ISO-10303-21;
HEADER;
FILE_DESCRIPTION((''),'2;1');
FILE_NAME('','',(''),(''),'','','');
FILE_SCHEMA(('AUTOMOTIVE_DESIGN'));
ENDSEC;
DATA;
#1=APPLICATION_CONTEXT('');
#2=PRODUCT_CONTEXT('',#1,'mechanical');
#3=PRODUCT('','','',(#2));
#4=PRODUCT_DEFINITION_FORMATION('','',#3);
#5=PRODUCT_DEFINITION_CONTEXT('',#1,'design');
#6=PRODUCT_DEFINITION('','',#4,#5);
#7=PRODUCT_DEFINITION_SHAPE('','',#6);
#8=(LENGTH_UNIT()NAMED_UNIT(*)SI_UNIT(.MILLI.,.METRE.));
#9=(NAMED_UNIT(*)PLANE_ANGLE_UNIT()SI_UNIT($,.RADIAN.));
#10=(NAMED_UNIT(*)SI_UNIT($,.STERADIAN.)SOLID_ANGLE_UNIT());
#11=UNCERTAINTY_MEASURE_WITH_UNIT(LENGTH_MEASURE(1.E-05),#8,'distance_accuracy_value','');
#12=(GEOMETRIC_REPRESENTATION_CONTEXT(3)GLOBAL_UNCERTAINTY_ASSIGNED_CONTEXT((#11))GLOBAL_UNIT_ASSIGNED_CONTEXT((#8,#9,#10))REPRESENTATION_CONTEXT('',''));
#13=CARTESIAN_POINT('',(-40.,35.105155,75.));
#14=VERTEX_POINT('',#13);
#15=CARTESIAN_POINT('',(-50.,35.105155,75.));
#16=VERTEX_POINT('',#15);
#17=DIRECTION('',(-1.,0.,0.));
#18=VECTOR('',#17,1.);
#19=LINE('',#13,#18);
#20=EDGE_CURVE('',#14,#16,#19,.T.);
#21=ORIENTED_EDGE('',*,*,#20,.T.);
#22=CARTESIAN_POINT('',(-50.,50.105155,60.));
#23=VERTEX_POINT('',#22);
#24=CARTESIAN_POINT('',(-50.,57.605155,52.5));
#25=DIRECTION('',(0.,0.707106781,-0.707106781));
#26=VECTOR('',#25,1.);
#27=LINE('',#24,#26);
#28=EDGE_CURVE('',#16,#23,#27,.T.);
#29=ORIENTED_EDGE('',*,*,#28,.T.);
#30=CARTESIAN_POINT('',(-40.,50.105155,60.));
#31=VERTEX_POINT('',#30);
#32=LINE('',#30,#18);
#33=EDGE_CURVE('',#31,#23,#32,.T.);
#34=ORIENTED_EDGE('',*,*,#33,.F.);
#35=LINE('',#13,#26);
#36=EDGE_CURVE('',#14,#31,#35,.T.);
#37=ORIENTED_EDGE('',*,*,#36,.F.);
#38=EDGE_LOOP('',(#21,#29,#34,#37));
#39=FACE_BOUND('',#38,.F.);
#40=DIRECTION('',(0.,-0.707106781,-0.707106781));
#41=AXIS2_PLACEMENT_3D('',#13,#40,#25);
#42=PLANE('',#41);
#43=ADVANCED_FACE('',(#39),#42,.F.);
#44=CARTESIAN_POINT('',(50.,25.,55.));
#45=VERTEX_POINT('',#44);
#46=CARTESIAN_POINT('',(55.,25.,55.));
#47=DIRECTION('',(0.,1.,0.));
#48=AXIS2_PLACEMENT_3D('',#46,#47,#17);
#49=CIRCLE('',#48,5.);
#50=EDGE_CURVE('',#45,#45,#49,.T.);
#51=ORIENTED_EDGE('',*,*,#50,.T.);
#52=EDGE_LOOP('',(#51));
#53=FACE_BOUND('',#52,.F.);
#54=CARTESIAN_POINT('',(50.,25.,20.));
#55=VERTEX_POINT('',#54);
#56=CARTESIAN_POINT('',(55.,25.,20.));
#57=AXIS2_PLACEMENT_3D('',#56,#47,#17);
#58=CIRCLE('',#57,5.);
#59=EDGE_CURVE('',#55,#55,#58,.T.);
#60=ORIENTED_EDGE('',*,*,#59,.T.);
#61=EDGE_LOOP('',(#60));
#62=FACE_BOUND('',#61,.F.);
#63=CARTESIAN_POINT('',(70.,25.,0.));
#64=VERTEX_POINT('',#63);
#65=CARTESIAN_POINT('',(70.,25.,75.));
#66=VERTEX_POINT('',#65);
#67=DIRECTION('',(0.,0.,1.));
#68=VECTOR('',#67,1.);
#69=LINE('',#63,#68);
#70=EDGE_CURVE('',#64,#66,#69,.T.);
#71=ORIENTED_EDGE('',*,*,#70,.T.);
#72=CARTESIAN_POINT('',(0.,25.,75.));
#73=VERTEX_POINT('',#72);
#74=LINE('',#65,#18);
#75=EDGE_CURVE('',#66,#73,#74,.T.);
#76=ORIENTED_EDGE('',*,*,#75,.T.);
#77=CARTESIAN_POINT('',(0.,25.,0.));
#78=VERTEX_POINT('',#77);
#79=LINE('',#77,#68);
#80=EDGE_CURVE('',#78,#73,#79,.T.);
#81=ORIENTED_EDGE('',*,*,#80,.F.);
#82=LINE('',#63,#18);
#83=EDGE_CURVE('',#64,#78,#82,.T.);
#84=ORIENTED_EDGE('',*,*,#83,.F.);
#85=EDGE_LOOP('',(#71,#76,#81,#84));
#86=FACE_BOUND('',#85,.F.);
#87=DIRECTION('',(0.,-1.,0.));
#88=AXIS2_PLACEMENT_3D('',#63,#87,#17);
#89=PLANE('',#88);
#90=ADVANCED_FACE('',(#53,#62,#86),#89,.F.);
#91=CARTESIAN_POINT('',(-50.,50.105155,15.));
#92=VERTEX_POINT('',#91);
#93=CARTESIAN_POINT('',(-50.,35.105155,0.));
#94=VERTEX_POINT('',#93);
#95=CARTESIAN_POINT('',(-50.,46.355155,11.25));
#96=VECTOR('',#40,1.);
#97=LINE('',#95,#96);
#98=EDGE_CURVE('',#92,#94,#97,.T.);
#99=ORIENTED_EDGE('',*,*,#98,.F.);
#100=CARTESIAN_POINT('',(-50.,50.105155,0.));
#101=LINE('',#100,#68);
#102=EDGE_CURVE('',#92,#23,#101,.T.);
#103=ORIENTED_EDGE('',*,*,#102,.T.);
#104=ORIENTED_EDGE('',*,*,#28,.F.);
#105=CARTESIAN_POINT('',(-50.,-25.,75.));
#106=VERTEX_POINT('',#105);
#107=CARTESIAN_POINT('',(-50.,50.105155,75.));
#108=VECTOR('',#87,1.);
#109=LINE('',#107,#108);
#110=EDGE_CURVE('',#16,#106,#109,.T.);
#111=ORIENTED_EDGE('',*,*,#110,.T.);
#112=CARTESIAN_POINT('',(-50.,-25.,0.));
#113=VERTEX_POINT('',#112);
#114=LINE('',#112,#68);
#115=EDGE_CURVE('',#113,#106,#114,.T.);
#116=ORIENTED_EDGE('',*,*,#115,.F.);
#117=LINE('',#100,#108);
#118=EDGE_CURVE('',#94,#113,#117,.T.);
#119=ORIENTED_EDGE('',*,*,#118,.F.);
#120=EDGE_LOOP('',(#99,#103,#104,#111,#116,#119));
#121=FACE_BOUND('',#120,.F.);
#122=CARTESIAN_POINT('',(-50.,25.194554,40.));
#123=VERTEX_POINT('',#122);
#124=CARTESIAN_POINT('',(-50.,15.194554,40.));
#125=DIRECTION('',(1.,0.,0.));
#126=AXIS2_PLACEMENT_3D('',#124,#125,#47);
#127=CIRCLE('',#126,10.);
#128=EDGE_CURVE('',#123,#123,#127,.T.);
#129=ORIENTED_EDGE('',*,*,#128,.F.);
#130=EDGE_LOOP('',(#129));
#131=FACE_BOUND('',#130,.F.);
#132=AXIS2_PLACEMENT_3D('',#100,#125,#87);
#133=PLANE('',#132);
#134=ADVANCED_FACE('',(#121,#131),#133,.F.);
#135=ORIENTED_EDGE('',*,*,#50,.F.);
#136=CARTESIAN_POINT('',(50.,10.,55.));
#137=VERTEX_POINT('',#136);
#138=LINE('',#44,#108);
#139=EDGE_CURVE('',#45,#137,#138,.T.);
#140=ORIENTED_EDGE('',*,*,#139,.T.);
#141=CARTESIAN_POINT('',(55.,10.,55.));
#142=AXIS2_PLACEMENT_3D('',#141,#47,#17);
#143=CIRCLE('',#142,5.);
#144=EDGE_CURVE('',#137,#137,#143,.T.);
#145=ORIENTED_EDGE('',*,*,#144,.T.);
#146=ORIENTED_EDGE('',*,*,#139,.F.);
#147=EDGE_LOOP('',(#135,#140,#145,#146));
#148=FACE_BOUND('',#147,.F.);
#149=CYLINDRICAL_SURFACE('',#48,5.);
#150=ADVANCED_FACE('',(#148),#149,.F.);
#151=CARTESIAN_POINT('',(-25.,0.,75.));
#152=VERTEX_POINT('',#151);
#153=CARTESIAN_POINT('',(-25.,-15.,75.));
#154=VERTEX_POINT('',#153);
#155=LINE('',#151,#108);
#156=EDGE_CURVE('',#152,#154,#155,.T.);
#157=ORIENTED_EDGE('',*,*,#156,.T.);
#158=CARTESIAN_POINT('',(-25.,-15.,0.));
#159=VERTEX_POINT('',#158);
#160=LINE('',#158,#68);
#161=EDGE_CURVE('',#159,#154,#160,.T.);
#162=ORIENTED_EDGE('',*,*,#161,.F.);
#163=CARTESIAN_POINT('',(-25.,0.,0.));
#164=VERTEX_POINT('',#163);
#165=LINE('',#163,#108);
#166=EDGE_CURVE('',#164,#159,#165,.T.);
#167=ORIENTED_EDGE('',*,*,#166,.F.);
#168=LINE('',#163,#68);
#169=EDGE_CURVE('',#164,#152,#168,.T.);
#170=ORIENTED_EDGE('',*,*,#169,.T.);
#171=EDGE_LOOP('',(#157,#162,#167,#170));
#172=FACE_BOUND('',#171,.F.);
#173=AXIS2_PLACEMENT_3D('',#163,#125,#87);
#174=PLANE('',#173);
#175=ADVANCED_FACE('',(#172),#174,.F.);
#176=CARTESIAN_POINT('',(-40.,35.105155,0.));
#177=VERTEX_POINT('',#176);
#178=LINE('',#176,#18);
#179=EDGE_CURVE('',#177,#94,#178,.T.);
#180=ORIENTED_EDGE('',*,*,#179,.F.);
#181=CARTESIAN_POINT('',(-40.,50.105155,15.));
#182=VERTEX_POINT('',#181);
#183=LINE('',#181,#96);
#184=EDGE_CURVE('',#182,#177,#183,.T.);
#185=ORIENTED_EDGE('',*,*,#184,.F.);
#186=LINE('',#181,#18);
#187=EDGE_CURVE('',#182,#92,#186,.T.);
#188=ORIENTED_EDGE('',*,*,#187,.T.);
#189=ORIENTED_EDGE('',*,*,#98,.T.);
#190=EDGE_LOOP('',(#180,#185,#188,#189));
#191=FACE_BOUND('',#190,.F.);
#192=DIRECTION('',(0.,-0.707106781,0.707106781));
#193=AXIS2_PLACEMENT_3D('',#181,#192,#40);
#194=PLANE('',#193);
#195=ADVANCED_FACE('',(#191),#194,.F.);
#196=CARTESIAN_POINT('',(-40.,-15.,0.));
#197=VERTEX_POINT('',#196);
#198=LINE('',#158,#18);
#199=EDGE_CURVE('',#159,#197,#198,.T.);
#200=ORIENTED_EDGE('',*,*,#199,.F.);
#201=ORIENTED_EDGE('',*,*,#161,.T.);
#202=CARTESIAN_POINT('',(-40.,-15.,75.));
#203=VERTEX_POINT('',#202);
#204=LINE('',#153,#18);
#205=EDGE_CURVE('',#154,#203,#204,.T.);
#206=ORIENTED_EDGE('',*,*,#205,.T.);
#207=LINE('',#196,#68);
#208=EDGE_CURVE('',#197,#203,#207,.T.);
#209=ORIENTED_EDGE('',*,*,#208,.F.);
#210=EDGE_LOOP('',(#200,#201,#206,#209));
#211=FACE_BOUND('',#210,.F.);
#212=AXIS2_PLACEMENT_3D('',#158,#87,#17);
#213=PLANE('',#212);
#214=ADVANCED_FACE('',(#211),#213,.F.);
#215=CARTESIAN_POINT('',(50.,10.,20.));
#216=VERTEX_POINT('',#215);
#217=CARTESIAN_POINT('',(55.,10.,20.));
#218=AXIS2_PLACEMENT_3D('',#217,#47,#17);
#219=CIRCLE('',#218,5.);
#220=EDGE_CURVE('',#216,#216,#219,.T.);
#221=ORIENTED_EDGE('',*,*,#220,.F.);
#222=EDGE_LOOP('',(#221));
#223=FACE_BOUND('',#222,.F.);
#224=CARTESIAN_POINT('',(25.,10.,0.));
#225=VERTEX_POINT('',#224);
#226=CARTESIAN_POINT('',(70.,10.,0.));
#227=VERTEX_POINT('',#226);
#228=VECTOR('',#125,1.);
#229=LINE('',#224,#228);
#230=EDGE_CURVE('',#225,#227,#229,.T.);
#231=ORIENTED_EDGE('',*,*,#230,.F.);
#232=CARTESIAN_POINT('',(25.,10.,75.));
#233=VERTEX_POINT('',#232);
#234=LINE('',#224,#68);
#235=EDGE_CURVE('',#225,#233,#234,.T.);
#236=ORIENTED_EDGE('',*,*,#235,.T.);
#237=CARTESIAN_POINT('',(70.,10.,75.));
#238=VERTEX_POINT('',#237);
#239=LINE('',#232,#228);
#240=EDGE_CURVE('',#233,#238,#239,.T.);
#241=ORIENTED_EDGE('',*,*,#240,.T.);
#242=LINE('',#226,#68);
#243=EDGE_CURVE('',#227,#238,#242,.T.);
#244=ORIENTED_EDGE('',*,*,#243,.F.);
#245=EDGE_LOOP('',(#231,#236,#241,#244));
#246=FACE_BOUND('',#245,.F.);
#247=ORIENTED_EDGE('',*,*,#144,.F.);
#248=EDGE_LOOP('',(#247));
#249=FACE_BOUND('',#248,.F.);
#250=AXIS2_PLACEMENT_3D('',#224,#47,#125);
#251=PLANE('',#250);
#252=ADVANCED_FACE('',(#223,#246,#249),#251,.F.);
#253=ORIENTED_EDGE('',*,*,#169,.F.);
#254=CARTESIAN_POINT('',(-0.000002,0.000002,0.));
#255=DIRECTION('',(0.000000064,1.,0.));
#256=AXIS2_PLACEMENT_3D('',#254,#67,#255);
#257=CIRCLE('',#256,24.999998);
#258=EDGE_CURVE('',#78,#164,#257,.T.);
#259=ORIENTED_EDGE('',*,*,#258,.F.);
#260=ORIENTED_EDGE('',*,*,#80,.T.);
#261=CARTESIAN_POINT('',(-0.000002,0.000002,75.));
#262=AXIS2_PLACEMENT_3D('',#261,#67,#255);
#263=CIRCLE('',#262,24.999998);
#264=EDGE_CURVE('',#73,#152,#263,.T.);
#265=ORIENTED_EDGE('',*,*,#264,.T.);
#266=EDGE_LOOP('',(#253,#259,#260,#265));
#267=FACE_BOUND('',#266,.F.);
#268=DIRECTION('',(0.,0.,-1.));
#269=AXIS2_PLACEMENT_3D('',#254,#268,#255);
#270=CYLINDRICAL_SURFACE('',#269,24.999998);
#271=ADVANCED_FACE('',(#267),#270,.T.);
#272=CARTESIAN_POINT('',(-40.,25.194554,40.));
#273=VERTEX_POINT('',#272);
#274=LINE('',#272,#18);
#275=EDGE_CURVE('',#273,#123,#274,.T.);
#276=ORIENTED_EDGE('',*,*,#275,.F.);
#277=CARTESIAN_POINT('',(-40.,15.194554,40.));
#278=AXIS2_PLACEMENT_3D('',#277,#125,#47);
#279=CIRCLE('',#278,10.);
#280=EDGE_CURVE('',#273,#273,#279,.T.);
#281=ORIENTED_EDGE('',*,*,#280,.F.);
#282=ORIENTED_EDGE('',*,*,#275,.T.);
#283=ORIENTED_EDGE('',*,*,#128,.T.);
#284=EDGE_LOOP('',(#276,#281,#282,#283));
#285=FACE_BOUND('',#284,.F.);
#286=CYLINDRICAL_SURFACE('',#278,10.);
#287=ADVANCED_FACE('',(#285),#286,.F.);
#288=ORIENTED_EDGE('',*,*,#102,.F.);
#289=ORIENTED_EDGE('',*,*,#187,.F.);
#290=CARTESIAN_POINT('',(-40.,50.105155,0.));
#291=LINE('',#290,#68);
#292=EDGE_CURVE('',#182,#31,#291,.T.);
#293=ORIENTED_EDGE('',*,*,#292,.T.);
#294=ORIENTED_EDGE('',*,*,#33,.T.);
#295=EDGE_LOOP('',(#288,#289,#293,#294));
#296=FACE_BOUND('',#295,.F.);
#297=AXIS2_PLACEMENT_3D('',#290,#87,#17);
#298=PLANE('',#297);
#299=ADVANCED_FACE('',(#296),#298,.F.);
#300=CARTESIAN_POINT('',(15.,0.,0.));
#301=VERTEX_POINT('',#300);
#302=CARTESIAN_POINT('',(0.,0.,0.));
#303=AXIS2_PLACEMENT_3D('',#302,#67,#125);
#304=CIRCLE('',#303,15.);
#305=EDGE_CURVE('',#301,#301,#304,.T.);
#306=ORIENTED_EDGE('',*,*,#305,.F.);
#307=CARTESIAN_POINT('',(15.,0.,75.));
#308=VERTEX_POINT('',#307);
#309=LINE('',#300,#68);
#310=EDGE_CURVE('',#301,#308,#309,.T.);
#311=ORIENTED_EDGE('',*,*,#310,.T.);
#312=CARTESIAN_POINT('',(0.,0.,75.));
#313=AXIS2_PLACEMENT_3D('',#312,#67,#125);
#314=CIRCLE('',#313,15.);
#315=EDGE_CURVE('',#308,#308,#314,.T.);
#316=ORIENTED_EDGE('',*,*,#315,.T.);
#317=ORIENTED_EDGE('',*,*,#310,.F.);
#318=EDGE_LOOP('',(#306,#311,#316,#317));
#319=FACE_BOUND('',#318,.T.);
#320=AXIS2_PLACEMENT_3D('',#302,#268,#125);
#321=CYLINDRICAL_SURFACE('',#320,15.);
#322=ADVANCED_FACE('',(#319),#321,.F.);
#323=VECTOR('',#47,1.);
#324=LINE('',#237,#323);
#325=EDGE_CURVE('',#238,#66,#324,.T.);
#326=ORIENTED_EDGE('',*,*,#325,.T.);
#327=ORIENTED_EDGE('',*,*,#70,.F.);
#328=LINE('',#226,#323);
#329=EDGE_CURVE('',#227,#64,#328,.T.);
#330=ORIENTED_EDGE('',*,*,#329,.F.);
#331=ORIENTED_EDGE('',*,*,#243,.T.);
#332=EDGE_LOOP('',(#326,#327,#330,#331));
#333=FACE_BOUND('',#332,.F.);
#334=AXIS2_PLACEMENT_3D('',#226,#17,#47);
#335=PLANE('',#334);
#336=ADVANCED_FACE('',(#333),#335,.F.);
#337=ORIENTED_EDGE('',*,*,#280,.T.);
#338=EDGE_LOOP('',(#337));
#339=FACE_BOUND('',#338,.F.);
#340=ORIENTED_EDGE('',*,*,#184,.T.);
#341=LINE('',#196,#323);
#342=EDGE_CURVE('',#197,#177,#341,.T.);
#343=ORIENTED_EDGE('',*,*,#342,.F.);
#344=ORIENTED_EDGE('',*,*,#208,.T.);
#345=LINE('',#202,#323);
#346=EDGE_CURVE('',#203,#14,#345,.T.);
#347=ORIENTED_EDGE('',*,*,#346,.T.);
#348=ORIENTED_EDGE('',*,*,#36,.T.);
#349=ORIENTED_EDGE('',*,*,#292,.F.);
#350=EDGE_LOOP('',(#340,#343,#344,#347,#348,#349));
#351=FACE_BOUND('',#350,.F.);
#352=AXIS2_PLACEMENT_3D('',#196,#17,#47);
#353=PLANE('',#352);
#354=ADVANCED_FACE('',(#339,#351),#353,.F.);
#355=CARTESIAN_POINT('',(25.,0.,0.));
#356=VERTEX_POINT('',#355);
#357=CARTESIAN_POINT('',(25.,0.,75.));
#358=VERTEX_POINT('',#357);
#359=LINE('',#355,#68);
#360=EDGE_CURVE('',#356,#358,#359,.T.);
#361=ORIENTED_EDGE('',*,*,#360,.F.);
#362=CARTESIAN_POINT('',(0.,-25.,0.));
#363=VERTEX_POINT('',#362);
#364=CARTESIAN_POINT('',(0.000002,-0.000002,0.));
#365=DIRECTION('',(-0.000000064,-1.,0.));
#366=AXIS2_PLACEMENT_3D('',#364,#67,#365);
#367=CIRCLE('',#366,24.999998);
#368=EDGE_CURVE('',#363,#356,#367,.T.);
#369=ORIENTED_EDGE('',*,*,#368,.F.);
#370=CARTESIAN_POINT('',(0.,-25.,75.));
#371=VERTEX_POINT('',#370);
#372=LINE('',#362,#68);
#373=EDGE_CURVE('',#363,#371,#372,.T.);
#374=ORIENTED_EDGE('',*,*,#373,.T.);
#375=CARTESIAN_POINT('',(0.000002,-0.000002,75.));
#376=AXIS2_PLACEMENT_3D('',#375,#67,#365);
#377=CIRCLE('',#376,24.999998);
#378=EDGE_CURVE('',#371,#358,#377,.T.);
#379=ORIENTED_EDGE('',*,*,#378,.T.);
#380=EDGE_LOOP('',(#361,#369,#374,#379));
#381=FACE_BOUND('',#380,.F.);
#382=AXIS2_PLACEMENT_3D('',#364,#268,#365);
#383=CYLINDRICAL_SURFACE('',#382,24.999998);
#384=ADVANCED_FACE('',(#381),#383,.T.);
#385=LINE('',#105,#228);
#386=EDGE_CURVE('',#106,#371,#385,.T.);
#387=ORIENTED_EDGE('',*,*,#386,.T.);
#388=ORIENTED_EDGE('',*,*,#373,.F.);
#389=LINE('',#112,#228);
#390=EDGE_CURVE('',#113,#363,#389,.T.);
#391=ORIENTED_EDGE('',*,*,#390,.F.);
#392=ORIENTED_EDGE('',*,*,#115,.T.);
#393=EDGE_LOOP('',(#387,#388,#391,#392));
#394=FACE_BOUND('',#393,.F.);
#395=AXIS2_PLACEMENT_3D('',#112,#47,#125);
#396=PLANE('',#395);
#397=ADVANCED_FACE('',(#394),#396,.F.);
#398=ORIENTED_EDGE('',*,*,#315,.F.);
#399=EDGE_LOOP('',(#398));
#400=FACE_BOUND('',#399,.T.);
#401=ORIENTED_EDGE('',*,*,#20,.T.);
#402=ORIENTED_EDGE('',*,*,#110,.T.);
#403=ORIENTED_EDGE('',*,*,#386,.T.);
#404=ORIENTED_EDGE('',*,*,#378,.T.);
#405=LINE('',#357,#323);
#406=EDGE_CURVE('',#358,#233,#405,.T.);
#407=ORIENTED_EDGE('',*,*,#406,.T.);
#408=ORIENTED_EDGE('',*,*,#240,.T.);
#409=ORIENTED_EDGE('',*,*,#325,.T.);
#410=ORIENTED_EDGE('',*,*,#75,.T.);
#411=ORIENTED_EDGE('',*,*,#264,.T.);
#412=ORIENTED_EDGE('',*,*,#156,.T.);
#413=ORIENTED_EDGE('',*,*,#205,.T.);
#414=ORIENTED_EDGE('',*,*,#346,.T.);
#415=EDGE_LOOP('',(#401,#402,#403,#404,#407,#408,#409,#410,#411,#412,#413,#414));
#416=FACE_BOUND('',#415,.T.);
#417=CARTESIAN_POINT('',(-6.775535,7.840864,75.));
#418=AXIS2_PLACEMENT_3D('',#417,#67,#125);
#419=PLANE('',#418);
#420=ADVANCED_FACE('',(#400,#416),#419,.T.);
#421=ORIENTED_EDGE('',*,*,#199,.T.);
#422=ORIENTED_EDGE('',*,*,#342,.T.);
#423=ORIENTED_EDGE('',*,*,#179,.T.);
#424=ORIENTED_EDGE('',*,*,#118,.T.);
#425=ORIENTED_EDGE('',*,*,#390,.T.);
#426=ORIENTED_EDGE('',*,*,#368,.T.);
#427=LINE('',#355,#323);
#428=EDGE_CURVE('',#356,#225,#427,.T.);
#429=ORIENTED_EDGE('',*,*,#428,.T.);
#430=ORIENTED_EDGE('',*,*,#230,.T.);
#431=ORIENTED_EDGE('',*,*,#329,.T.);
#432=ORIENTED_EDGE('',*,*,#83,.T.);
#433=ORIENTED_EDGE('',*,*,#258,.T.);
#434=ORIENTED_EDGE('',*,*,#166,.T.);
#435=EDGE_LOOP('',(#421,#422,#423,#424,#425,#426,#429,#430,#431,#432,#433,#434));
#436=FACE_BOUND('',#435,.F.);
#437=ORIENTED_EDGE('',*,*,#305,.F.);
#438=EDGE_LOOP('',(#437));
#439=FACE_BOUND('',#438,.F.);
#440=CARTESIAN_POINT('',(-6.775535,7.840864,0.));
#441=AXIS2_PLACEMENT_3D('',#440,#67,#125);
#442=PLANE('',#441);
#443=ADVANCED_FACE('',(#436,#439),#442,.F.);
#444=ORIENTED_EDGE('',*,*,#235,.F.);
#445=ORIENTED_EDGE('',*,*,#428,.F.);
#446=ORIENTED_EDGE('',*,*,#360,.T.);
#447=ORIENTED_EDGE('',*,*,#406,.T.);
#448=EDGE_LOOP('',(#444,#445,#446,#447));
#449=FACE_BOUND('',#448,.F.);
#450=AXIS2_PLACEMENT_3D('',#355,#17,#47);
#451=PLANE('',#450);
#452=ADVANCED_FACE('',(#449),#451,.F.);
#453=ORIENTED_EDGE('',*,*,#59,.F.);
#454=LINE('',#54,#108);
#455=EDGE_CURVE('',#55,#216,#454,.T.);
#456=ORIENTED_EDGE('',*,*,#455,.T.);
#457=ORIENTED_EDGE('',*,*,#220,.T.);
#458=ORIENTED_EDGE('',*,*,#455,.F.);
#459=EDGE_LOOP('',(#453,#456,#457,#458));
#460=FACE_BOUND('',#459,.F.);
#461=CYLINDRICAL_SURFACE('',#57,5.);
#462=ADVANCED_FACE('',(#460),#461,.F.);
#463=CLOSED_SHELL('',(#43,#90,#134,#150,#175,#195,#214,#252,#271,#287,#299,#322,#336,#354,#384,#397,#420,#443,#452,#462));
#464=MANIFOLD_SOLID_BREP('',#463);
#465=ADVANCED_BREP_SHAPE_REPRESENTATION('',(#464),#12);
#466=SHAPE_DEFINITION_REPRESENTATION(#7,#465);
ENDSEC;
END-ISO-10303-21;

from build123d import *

# Parameters (mm, degrees)
F0_R     = 15
F1_DEPTH = 75
F2_R     = 5
F3_DEPTH = 15
F4_R     = 10
F5_DEPTH = 25


with BuildPart() as f1:
    # F0 (on Top) → F1 (new body)
    with BuildSketch(Plane.XY):
        with BuildLine():
            Line((-50, -25), (0, -25))
            ThreePointArc((0, -25), (17.67767, -17.67767), (25, 0))
            Line((25, 0), (25, 10))
            Line((25, 10), (70, 10))
            Line((70, 10), (70, 25))
            Line((70, 25), (0, 25))
            ThreePointArc((0, 25), (-17.67767, 17.67767), (-25, 0))
            Line((-25, 0), (-25, -15))
            Line((-25, -15), (-40, -15))
            Line((-40, -15), (-40, 50.105155))
            Line((-40, 50.105155), (-50, 50.105155))
            Line((-50, 50.105155), (-50, -25))
        make_face()
        Circle(F0_R, mode=Mode.SUBTRACT)
    extrude(amount=F1_DEPTH)

    # F2 (on face) → F3 (cut)
    with BuildSketch(Plane(origin=(0, 25, 0), x_dir=(-1, 0, 0), z_dir=(0, 1, 0))):
        with Locations((-55, 20)):
            Circle(F2_R)
        with Locations((-55, 55)):
            Circle(F2_R)
    extrude(amount=-F3_DEPTH, mode=Mode.SUBTRACT)

    # F4 (on face) → F5 (cut)
    with BuildSketch(Plane.YZ.offset(-40)):
        with Locations((15.194554, 40)):
            Circle(F4_R)
        Polygon((35.105155, 75), (50.105155, 60), (50.105155, 75), align=None)
        Polygon((50.105155, 0), (50.105155, 15), (35.105155, 0), align=None)
    extrude(amount=-F5_DEPTH, mode=Mode.SUBTRACT)


solid = f1.part
